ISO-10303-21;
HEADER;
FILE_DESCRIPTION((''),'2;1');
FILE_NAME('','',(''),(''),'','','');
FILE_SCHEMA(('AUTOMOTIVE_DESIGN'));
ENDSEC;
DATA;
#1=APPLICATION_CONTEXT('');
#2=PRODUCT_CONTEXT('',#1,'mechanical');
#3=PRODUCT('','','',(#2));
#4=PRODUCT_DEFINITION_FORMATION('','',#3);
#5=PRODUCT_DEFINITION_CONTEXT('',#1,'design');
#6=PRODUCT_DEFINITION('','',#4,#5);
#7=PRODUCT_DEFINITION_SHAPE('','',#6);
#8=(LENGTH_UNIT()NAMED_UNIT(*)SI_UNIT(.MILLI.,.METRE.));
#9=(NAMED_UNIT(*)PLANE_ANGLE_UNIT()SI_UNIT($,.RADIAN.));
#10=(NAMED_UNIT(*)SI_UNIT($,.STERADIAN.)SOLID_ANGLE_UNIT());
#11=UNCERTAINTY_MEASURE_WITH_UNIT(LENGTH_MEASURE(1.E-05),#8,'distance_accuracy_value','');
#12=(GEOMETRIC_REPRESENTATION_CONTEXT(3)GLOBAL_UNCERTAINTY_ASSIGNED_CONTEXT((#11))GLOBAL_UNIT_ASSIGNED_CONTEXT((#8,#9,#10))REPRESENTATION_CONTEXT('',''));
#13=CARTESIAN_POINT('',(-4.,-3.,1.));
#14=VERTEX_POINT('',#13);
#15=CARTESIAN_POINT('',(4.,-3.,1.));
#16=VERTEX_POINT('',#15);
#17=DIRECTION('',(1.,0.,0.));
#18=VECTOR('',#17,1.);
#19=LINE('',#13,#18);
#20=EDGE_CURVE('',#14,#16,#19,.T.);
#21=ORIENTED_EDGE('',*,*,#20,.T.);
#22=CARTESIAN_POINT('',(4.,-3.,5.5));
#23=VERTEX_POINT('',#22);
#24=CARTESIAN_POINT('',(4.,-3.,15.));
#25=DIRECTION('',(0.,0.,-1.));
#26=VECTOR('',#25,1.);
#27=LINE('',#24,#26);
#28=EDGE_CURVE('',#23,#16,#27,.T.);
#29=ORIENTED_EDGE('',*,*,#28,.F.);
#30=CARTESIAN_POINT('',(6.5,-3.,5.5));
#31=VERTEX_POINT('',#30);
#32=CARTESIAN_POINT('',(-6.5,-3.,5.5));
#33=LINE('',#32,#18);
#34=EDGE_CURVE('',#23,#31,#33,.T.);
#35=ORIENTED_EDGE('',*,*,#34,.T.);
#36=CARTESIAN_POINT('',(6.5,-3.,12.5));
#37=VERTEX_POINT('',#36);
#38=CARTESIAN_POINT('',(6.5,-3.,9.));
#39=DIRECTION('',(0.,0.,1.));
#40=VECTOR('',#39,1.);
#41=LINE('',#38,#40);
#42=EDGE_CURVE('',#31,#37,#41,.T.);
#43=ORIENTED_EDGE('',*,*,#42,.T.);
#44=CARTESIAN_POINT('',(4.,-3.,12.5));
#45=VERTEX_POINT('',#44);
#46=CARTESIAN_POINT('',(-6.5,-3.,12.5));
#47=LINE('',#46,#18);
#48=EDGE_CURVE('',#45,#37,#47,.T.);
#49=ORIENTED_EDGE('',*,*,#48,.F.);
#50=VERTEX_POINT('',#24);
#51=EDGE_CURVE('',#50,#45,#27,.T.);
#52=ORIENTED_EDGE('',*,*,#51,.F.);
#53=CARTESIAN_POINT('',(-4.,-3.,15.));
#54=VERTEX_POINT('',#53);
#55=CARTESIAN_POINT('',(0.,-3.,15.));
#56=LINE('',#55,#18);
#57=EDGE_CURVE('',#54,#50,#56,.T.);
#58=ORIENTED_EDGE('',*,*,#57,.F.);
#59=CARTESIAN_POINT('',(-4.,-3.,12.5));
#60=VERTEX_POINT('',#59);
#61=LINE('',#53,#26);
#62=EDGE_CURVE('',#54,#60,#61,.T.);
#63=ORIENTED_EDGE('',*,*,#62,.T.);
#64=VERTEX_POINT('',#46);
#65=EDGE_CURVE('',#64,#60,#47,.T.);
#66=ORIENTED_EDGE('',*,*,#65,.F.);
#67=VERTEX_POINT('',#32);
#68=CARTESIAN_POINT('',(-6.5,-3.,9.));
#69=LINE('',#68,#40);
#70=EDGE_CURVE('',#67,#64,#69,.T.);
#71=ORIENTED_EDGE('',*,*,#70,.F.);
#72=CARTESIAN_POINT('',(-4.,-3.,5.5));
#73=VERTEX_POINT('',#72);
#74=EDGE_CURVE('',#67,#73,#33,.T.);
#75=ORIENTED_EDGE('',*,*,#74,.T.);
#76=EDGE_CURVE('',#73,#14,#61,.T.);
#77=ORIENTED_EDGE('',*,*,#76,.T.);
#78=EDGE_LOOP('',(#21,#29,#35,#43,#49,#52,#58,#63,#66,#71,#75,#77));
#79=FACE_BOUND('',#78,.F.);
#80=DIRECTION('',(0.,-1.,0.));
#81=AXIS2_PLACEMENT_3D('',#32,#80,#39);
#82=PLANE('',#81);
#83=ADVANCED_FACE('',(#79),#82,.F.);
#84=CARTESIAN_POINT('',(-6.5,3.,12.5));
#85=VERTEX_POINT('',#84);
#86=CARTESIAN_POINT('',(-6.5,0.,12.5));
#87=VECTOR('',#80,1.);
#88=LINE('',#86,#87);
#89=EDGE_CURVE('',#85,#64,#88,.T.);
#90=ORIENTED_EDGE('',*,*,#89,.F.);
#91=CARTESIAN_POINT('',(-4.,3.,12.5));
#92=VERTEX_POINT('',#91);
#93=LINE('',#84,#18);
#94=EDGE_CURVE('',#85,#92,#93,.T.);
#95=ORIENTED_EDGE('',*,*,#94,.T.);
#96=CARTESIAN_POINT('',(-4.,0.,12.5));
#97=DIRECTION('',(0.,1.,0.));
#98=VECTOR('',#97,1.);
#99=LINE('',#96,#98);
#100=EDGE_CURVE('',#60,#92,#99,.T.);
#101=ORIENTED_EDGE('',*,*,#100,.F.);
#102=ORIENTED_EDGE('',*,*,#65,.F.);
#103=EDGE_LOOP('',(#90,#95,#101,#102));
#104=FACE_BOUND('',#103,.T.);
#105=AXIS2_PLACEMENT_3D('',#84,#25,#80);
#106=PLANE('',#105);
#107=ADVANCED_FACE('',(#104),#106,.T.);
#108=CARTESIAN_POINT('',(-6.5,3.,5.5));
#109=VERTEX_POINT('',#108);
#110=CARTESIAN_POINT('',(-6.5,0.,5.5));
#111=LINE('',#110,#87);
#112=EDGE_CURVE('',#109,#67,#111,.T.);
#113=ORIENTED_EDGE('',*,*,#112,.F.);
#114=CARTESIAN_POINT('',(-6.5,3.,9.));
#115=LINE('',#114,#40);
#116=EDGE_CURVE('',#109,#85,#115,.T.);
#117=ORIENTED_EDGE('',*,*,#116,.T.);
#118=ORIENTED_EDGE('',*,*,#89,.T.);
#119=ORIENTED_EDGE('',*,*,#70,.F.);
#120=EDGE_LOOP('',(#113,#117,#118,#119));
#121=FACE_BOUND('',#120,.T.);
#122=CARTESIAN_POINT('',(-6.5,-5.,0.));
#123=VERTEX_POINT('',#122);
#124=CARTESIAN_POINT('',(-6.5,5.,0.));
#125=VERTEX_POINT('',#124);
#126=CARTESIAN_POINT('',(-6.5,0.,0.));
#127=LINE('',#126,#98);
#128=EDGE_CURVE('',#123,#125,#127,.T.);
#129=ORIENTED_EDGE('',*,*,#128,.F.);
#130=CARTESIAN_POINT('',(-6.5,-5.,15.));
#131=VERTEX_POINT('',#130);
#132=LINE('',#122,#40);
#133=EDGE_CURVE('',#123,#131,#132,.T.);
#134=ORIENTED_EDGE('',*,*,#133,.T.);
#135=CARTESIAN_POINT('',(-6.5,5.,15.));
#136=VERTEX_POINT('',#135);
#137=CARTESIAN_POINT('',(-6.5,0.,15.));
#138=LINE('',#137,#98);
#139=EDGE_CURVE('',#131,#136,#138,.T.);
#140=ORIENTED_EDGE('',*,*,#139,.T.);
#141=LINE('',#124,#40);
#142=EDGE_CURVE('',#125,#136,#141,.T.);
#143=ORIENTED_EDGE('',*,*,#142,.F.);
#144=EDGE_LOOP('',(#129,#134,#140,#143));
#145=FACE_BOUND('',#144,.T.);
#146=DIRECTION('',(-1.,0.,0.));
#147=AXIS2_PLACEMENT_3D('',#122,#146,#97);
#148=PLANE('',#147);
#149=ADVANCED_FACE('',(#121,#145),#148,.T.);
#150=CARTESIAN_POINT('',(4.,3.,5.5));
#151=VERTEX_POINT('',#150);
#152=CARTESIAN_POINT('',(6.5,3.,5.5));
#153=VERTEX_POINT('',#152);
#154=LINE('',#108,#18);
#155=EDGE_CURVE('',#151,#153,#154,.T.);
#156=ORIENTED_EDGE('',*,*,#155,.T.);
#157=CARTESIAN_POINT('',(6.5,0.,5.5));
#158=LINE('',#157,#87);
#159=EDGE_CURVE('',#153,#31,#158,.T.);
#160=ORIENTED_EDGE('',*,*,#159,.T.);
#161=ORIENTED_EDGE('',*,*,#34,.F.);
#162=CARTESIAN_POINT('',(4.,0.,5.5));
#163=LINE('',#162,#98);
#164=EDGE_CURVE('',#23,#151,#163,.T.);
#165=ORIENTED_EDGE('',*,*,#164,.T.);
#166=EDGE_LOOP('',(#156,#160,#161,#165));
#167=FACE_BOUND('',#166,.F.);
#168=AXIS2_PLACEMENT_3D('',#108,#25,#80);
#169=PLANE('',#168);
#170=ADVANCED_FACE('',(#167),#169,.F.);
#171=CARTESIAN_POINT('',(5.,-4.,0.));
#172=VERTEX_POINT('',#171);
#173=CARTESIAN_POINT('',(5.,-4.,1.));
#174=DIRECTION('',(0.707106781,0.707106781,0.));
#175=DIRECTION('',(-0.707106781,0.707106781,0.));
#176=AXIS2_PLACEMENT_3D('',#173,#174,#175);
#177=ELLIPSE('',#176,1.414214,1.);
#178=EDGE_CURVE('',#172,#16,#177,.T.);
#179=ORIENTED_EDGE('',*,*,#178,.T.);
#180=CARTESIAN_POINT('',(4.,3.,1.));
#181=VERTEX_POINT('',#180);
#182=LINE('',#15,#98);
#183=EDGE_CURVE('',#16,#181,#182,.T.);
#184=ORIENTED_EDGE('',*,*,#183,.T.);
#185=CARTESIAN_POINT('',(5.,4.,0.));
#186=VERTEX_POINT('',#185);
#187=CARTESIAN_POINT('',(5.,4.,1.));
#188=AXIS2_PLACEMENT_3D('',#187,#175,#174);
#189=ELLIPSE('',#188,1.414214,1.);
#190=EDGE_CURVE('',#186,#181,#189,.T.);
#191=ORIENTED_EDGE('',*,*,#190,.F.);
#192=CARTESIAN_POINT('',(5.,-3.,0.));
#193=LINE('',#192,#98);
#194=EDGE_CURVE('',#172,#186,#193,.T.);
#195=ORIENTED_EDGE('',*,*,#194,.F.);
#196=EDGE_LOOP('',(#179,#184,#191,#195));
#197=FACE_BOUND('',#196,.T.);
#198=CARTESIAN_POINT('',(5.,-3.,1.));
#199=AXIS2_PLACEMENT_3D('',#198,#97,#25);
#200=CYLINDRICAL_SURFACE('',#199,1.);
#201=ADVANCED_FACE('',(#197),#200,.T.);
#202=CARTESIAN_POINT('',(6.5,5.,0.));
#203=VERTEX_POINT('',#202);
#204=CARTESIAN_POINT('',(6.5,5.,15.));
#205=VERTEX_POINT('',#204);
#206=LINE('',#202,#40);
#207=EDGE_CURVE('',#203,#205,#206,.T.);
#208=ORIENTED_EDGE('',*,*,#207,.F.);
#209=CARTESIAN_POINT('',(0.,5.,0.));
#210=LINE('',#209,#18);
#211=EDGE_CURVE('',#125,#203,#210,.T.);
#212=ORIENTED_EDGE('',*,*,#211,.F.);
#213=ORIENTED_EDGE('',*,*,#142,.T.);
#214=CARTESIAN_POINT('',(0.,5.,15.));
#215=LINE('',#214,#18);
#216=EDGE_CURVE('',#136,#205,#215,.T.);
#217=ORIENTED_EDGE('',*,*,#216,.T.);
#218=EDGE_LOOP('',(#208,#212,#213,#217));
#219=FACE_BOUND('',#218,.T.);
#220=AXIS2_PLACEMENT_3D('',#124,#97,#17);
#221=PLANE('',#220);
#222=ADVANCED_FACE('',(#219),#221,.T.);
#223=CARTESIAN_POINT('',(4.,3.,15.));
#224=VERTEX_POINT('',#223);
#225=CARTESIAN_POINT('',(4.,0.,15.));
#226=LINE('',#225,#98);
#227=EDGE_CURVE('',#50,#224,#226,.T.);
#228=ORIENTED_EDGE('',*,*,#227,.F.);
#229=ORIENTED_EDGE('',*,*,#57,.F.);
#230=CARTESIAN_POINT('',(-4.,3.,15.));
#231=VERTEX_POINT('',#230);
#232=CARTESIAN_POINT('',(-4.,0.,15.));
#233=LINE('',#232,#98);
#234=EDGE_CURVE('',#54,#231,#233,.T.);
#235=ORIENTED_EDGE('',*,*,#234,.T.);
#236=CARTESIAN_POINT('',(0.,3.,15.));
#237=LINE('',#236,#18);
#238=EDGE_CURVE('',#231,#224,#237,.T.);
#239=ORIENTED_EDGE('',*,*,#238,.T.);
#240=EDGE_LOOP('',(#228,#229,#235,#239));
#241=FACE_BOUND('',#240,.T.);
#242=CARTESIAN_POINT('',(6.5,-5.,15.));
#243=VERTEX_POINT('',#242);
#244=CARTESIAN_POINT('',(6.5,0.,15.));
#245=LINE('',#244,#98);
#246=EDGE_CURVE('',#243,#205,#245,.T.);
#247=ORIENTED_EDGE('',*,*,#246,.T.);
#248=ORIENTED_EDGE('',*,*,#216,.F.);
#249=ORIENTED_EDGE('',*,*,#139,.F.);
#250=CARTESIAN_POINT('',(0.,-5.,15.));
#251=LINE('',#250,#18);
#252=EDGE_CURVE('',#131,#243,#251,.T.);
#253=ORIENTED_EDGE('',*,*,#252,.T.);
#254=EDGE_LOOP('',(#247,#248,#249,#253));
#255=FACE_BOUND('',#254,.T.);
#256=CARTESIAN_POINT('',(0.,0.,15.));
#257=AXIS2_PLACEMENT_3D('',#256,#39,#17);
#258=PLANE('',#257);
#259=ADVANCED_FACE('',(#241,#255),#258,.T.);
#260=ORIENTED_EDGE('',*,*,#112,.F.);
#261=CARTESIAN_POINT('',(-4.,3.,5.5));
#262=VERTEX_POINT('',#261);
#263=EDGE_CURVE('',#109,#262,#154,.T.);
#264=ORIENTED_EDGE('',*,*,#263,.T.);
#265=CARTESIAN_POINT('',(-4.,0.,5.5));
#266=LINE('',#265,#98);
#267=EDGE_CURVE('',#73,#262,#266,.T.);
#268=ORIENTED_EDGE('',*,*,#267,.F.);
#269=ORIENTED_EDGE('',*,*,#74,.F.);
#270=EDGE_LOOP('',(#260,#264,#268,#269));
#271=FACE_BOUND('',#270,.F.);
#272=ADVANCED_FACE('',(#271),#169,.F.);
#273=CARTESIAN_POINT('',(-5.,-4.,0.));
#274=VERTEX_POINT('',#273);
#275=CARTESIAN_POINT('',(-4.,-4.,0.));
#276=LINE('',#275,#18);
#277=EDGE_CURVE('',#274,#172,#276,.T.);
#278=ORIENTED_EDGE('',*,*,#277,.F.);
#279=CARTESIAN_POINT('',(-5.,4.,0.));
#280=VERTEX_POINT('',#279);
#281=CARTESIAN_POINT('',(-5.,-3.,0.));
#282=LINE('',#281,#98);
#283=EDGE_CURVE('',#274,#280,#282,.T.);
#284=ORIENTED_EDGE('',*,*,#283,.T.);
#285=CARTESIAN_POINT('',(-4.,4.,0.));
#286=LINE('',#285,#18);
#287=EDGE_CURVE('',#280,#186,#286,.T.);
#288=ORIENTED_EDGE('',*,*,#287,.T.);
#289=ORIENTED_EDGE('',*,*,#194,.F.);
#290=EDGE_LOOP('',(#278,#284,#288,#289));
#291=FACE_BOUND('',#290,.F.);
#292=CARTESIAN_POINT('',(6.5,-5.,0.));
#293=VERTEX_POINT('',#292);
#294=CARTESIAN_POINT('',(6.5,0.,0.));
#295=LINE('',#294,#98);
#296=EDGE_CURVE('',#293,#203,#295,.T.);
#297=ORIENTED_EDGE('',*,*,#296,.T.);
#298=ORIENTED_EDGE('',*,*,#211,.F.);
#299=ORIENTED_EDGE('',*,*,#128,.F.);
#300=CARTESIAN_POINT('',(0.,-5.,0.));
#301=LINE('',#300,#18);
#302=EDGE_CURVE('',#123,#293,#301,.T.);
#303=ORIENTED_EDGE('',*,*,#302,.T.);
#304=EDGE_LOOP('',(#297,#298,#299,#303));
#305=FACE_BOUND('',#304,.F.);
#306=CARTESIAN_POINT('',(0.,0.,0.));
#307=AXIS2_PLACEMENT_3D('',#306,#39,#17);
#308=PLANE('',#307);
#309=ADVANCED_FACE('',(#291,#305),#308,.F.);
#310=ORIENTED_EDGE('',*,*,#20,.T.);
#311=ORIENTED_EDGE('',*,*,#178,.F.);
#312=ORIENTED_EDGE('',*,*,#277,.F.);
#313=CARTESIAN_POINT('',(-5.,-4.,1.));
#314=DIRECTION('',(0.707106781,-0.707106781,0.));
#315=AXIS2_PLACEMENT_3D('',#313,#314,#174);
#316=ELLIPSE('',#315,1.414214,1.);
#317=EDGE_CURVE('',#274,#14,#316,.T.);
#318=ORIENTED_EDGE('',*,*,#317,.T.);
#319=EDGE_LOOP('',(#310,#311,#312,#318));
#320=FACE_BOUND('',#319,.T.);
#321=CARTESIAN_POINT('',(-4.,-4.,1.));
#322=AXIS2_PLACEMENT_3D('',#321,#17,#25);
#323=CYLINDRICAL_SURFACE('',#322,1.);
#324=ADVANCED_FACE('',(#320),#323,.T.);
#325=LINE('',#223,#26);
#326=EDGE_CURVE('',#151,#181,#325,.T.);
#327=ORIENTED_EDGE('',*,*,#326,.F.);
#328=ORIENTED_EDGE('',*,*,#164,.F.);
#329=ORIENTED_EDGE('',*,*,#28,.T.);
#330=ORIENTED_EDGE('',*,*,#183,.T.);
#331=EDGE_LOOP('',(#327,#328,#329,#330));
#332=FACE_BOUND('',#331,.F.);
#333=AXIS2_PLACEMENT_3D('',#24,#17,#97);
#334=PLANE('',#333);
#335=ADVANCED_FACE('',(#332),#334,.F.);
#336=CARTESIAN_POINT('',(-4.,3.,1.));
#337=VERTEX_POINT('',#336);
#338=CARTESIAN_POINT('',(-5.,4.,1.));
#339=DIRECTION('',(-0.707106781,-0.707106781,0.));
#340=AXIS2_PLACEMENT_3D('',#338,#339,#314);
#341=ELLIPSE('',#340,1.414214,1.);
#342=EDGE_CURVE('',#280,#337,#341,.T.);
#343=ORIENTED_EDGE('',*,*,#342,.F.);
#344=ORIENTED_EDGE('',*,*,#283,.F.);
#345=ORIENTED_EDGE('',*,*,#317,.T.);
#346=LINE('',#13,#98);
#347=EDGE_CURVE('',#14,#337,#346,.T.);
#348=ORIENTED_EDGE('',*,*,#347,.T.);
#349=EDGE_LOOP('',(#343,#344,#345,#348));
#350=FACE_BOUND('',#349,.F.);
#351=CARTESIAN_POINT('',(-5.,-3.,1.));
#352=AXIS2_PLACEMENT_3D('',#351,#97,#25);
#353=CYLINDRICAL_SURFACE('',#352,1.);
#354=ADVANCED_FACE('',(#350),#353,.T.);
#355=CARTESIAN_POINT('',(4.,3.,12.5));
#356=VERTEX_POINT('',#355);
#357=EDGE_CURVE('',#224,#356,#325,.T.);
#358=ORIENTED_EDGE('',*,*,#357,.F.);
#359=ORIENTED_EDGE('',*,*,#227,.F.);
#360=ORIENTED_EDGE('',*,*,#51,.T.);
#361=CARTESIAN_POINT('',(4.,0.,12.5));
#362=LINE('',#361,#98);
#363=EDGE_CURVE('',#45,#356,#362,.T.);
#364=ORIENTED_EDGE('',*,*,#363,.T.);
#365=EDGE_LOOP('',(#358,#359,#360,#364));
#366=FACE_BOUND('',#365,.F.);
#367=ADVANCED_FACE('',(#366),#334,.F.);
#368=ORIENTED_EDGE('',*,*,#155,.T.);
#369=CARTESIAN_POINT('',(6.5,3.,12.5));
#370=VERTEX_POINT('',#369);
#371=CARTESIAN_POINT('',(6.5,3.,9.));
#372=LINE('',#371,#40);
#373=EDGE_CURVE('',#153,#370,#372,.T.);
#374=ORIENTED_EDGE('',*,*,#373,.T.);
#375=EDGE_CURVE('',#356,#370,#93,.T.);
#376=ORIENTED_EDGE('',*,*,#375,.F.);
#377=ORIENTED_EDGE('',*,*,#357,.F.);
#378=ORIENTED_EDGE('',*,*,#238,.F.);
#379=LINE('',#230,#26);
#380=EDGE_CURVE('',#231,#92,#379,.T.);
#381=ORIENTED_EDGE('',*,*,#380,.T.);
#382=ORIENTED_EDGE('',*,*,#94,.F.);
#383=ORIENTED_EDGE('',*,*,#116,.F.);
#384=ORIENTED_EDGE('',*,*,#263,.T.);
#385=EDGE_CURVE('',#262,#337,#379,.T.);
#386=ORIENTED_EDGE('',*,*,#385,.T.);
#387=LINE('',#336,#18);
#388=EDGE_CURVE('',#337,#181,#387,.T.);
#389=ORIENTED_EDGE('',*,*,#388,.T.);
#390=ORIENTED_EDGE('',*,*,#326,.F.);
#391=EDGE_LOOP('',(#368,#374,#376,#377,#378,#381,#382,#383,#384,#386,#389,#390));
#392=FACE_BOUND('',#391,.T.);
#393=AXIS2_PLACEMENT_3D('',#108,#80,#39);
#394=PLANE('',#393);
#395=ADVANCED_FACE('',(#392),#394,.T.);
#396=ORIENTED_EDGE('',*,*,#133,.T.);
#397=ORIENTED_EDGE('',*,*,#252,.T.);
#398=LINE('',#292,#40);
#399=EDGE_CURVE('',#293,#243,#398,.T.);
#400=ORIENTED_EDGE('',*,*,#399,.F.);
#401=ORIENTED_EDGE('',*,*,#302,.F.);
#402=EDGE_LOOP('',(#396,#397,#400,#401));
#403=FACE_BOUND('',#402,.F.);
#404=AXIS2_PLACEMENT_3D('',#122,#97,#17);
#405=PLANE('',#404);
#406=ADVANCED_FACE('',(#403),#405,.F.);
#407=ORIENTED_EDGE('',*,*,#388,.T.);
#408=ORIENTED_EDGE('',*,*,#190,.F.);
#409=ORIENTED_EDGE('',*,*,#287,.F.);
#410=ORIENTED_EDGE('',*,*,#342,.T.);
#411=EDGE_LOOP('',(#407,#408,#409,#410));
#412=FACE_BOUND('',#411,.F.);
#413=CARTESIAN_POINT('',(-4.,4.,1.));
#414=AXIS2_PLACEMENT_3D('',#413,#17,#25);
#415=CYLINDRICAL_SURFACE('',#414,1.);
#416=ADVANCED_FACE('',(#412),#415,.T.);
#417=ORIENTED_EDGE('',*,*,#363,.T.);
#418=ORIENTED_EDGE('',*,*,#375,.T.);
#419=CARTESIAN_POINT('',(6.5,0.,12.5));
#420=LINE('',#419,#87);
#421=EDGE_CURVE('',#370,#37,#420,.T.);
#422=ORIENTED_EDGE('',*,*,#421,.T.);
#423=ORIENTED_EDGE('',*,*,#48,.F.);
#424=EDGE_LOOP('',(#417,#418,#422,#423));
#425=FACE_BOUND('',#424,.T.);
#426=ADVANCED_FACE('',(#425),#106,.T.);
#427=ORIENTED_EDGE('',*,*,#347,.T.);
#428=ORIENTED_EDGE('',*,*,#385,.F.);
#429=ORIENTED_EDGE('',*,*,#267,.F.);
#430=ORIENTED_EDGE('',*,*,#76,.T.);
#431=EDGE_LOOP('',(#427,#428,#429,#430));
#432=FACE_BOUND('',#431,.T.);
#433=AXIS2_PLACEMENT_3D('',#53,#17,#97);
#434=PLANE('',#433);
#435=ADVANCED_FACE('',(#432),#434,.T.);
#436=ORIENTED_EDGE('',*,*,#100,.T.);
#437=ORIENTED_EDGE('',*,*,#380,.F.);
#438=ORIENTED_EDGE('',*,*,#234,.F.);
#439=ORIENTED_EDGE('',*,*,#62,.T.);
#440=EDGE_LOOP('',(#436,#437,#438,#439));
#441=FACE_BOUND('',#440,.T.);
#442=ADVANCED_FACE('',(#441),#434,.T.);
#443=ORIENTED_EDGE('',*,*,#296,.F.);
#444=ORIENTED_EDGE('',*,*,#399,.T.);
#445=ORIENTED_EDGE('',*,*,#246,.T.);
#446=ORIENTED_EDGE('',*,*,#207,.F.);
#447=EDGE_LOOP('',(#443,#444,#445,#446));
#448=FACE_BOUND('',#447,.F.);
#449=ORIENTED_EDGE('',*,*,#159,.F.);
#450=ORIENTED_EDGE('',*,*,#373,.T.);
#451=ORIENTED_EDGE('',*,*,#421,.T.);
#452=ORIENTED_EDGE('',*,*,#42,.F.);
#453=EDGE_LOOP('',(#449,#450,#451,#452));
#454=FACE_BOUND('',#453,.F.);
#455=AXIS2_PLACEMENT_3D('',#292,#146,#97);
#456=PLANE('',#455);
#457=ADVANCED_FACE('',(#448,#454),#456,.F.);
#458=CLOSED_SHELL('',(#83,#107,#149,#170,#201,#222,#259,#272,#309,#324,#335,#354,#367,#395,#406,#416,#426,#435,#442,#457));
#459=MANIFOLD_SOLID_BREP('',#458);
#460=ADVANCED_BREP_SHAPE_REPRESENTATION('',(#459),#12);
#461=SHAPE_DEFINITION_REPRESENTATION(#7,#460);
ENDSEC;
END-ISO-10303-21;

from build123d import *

# Parameters (mm, degrees)
F0_W     = 13
F0_H     = 10
F1_DEPTH = 15
F2_W     = 8
F2_H     = 6
F3_DEPTH = 25
F4_W     = 6
F4_H     = 7
F5_DEPTH = 13
F6_R     = 1


with BuildPart() as f1:
    # F0 (on Top) → F1 (new body)
    with BuildSketch(Plane.XY):
        Rectangle(F0_W, F0_H)
    extrude(amount=F1_DEPTH)

    # F2 (on face) → F3 (cut)
    with BuildSketch(Plane.XY.offset(15)):
        Rectangle(F2_W, F2_H)
    extrude(amount=-F3_DEPTH, mode=Mode.SUBTRACT)

    # F4 (on face) → F5 (cut)
    with BuildSketch(Plane(origin=(-6.5, 0, 0), x_dir=(0, -1, 0), z_dir=(-1, 0, 0))):
        with Locations((0, 9)):
            Rectangle(F4_W, F4_H)
    extrude(amount=-F5_DEPTH, mode=Mode.SUBTRACT)

    # F6
    f6_edges = [f1.edges().sort_by_distance(p)[0] for p in [
        (4, 0, 0),
        (0, 3, 0),
        (-4, 0, 0),
        (0, -3, 0),
    ]]
    fillet(f6_edges, radius=F6_R)


solid = f1.part
